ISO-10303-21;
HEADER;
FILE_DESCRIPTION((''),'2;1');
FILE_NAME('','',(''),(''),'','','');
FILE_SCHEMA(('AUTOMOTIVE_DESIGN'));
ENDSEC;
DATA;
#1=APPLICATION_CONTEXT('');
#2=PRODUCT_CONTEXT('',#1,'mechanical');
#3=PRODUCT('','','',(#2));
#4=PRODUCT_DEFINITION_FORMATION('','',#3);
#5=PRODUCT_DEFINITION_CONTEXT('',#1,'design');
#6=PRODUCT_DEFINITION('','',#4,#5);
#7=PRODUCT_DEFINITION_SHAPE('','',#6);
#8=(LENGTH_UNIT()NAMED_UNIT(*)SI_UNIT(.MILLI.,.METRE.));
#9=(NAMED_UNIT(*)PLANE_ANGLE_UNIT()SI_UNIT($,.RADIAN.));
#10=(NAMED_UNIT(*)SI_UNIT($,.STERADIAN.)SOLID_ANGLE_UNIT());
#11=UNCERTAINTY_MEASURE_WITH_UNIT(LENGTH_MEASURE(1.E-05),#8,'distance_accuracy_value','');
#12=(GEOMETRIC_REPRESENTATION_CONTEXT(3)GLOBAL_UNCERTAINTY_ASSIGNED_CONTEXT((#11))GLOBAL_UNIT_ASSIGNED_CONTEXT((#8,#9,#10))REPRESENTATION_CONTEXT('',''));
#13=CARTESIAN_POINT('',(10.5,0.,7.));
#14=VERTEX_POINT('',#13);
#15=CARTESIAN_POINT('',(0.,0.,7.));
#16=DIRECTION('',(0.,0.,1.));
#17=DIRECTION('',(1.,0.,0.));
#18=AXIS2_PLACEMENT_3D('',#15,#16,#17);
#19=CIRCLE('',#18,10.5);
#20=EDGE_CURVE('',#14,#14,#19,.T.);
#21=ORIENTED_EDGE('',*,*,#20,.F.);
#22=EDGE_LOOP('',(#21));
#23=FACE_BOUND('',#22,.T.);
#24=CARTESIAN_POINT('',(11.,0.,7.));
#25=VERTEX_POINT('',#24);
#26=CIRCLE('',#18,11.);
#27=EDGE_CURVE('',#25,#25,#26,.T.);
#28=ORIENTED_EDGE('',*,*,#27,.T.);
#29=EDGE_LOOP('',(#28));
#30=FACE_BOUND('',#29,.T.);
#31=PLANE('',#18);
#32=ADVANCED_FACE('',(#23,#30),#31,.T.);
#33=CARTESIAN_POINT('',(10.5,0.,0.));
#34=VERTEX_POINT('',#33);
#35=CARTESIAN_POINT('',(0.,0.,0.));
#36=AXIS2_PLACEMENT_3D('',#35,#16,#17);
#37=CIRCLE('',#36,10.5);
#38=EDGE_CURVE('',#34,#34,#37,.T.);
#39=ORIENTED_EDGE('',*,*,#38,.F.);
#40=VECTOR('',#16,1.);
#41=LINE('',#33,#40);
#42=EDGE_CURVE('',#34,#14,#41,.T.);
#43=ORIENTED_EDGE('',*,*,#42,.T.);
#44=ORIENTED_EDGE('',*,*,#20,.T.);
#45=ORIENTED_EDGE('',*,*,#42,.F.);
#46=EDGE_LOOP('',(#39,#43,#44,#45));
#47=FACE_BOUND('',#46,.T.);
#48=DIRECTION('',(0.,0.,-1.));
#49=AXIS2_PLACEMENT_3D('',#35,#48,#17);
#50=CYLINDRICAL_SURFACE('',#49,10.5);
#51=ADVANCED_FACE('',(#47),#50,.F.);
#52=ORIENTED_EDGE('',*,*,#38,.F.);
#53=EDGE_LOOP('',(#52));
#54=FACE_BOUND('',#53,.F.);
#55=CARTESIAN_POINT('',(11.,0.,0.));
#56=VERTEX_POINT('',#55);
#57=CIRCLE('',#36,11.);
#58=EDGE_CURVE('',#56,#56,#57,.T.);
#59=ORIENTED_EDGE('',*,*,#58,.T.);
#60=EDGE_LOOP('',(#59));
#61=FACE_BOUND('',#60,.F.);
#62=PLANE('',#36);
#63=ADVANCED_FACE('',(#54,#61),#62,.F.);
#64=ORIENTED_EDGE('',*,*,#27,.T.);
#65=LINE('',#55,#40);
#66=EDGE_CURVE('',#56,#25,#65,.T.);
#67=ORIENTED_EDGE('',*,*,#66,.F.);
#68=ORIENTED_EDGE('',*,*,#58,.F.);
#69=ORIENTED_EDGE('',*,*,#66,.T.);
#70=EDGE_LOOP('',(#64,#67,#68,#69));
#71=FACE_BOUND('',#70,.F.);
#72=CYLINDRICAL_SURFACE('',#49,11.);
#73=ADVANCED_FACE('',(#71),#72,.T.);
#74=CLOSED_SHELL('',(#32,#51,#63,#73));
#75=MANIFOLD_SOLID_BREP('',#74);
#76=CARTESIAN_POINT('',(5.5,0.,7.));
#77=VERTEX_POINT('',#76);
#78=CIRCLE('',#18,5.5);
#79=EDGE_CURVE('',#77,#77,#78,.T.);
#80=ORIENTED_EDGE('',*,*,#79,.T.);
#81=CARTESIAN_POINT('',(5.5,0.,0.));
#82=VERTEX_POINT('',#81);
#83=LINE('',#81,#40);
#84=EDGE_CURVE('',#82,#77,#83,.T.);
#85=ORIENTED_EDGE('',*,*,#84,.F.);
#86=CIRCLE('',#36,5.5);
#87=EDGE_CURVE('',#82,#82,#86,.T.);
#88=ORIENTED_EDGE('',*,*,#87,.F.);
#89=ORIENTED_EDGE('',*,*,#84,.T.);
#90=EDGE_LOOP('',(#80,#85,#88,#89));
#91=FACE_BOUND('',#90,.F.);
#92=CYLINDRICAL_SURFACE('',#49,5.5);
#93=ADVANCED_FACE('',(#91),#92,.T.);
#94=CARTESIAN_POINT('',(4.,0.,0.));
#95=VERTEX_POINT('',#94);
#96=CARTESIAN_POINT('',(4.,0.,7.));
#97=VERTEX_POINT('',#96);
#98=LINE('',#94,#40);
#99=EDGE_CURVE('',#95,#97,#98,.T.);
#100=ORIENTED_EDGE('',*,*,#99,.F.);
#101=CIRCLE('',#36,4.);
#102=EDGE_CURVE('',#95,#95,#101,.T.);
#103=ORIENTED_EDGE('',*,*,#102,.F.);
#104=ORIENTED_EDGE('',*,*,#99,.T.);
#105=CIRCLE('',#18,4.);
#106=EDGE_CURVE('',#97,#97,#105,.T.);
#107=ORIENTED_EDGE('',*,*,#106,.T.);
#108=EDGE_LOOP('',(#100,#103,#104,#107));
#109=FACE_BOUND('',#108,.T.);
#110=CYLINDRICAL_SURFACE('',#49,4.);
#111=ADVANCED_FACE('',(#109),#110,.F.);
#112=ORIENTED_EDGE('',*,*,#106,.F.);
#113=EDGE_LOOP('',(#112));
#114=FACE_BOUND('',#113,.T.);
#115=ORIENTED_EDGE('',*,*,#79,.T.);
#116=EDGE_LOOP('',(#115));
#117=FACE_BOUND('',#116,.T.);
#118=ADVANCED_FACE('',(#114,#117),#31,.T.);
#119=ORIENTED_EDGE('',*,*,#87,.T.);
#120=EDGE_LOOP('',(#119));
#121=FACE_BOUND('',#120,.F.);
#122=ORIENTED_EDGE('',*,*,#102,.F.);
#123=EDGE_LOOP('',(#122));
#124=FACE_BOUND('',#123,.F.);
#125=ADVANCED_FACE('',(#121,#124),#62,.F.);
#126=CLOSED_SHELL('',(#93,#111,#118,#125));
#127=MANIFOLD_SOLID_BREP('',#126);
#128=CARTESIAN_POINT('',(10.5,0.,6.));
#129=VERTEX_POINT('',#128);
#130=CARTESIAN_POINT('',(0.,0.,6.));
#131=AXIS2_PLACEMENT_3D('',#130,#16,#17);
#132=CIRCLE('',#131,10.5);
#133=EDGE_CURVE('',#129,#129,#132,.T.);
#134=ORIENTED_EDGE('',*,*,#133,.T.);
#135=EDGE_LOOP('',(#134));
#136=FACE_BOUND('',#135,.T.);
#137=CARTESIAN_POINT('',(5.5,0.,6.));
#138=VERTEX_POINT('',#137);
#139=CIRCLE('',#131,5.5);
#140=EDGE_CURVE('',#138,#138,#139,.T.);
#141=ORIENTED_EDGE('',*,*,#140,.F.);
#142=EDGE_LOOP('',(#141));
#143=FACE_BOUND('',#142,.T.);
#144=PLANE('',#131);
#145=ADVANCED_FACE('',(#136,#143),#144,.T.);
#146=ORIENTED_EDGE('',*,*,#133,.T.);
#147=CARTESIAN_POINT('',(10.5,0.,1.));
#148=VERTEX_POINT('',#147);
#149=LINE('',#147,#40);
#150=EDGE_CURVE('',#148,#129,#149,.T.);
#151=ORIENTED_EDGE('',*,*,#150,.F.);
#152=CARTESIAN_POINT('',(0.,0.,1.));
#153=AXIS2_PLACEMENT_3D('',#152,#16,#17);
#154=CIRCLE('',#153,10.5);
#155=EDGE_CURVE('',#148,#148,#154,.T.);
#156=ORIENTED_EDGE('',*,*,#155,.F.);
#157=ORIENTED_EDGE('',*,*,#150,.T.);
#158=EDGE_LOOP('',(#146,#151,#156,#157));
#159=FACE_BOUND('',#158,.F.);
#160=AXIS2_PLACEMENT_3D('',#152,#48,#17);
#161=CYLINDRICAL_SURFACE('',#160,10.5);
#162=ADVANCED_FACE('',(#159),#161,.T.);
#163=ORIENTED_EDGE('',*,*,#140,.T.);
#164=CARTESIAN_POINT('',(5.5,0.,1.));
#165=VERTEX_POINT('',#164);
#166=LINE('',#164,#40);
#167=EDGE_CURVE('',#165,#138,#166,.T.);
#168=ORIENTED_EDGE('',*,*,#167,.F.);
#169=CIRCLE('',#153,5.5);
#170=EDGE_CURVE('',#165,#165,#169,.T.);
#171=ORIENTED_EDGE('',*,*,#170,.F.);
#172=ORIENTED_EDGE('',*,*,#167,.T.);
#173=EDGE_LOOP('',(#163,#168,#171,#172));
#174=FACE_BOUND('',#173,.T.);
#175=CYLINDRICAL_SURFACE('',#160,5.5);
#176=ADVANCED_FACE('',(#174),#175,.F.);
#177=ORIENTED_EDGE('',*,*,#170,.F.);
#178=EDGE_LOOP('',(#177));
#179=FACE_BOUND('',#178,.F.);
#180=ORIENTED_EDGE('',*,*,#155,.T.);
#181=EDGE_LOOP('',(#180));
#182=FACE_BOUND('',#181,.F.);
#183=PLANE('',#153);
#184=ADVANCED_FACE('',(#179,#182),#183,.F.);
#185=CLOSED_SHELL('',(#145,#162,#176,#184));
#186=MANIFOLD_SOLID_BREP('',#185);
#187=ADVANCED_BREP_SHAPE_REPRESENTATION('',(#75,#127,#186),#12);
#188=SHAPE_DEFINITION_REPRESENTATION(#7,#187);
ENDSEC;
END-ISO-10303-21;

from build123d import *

# Parameters (mm, degrees)
F0_R     = 5.5
F0_R_2   = 4
F1_DEPTH = 7
F0_R_3   = 11
F0_R_4   = 10.5
F2_DEPTH = 5


with BuildPart() as f1:
    # F0 (on Top) → F1 (new body)
    with BuildSketch(Plane.XY):
        Circle(F0_R)
        Circle(F0_R_2, mode=Mode.SUBTRACT)
    extrude(amount=F1_DEPTH)


with BuildPart() as f1b:
    # F0 (on Top) → F1, piece 2 (new body)
    with BuildSketch(Plane.XY):
        Circle(F0_R_3)
        Circle(F0_R_4, mode=Mode.SUBTRACT)
    extrude(amount=F1_DEPTH)


with BuildPart() as f2:
    # F0 (on Top) → F2 (new body)
    with BuildSketch(Plane.XY):
        Circle(F0_R_4)
        Circle(F0_R, mode=Mode.SUBTRACT)
    extrude(amount=F2_DEPTH)


with BuildPart() as f2_1:
    # F3: moved
    add(f2.part.moved(Location((0, 0, 1))))


solid = Compound([f1.part, f1b.part, f2_1.part])
